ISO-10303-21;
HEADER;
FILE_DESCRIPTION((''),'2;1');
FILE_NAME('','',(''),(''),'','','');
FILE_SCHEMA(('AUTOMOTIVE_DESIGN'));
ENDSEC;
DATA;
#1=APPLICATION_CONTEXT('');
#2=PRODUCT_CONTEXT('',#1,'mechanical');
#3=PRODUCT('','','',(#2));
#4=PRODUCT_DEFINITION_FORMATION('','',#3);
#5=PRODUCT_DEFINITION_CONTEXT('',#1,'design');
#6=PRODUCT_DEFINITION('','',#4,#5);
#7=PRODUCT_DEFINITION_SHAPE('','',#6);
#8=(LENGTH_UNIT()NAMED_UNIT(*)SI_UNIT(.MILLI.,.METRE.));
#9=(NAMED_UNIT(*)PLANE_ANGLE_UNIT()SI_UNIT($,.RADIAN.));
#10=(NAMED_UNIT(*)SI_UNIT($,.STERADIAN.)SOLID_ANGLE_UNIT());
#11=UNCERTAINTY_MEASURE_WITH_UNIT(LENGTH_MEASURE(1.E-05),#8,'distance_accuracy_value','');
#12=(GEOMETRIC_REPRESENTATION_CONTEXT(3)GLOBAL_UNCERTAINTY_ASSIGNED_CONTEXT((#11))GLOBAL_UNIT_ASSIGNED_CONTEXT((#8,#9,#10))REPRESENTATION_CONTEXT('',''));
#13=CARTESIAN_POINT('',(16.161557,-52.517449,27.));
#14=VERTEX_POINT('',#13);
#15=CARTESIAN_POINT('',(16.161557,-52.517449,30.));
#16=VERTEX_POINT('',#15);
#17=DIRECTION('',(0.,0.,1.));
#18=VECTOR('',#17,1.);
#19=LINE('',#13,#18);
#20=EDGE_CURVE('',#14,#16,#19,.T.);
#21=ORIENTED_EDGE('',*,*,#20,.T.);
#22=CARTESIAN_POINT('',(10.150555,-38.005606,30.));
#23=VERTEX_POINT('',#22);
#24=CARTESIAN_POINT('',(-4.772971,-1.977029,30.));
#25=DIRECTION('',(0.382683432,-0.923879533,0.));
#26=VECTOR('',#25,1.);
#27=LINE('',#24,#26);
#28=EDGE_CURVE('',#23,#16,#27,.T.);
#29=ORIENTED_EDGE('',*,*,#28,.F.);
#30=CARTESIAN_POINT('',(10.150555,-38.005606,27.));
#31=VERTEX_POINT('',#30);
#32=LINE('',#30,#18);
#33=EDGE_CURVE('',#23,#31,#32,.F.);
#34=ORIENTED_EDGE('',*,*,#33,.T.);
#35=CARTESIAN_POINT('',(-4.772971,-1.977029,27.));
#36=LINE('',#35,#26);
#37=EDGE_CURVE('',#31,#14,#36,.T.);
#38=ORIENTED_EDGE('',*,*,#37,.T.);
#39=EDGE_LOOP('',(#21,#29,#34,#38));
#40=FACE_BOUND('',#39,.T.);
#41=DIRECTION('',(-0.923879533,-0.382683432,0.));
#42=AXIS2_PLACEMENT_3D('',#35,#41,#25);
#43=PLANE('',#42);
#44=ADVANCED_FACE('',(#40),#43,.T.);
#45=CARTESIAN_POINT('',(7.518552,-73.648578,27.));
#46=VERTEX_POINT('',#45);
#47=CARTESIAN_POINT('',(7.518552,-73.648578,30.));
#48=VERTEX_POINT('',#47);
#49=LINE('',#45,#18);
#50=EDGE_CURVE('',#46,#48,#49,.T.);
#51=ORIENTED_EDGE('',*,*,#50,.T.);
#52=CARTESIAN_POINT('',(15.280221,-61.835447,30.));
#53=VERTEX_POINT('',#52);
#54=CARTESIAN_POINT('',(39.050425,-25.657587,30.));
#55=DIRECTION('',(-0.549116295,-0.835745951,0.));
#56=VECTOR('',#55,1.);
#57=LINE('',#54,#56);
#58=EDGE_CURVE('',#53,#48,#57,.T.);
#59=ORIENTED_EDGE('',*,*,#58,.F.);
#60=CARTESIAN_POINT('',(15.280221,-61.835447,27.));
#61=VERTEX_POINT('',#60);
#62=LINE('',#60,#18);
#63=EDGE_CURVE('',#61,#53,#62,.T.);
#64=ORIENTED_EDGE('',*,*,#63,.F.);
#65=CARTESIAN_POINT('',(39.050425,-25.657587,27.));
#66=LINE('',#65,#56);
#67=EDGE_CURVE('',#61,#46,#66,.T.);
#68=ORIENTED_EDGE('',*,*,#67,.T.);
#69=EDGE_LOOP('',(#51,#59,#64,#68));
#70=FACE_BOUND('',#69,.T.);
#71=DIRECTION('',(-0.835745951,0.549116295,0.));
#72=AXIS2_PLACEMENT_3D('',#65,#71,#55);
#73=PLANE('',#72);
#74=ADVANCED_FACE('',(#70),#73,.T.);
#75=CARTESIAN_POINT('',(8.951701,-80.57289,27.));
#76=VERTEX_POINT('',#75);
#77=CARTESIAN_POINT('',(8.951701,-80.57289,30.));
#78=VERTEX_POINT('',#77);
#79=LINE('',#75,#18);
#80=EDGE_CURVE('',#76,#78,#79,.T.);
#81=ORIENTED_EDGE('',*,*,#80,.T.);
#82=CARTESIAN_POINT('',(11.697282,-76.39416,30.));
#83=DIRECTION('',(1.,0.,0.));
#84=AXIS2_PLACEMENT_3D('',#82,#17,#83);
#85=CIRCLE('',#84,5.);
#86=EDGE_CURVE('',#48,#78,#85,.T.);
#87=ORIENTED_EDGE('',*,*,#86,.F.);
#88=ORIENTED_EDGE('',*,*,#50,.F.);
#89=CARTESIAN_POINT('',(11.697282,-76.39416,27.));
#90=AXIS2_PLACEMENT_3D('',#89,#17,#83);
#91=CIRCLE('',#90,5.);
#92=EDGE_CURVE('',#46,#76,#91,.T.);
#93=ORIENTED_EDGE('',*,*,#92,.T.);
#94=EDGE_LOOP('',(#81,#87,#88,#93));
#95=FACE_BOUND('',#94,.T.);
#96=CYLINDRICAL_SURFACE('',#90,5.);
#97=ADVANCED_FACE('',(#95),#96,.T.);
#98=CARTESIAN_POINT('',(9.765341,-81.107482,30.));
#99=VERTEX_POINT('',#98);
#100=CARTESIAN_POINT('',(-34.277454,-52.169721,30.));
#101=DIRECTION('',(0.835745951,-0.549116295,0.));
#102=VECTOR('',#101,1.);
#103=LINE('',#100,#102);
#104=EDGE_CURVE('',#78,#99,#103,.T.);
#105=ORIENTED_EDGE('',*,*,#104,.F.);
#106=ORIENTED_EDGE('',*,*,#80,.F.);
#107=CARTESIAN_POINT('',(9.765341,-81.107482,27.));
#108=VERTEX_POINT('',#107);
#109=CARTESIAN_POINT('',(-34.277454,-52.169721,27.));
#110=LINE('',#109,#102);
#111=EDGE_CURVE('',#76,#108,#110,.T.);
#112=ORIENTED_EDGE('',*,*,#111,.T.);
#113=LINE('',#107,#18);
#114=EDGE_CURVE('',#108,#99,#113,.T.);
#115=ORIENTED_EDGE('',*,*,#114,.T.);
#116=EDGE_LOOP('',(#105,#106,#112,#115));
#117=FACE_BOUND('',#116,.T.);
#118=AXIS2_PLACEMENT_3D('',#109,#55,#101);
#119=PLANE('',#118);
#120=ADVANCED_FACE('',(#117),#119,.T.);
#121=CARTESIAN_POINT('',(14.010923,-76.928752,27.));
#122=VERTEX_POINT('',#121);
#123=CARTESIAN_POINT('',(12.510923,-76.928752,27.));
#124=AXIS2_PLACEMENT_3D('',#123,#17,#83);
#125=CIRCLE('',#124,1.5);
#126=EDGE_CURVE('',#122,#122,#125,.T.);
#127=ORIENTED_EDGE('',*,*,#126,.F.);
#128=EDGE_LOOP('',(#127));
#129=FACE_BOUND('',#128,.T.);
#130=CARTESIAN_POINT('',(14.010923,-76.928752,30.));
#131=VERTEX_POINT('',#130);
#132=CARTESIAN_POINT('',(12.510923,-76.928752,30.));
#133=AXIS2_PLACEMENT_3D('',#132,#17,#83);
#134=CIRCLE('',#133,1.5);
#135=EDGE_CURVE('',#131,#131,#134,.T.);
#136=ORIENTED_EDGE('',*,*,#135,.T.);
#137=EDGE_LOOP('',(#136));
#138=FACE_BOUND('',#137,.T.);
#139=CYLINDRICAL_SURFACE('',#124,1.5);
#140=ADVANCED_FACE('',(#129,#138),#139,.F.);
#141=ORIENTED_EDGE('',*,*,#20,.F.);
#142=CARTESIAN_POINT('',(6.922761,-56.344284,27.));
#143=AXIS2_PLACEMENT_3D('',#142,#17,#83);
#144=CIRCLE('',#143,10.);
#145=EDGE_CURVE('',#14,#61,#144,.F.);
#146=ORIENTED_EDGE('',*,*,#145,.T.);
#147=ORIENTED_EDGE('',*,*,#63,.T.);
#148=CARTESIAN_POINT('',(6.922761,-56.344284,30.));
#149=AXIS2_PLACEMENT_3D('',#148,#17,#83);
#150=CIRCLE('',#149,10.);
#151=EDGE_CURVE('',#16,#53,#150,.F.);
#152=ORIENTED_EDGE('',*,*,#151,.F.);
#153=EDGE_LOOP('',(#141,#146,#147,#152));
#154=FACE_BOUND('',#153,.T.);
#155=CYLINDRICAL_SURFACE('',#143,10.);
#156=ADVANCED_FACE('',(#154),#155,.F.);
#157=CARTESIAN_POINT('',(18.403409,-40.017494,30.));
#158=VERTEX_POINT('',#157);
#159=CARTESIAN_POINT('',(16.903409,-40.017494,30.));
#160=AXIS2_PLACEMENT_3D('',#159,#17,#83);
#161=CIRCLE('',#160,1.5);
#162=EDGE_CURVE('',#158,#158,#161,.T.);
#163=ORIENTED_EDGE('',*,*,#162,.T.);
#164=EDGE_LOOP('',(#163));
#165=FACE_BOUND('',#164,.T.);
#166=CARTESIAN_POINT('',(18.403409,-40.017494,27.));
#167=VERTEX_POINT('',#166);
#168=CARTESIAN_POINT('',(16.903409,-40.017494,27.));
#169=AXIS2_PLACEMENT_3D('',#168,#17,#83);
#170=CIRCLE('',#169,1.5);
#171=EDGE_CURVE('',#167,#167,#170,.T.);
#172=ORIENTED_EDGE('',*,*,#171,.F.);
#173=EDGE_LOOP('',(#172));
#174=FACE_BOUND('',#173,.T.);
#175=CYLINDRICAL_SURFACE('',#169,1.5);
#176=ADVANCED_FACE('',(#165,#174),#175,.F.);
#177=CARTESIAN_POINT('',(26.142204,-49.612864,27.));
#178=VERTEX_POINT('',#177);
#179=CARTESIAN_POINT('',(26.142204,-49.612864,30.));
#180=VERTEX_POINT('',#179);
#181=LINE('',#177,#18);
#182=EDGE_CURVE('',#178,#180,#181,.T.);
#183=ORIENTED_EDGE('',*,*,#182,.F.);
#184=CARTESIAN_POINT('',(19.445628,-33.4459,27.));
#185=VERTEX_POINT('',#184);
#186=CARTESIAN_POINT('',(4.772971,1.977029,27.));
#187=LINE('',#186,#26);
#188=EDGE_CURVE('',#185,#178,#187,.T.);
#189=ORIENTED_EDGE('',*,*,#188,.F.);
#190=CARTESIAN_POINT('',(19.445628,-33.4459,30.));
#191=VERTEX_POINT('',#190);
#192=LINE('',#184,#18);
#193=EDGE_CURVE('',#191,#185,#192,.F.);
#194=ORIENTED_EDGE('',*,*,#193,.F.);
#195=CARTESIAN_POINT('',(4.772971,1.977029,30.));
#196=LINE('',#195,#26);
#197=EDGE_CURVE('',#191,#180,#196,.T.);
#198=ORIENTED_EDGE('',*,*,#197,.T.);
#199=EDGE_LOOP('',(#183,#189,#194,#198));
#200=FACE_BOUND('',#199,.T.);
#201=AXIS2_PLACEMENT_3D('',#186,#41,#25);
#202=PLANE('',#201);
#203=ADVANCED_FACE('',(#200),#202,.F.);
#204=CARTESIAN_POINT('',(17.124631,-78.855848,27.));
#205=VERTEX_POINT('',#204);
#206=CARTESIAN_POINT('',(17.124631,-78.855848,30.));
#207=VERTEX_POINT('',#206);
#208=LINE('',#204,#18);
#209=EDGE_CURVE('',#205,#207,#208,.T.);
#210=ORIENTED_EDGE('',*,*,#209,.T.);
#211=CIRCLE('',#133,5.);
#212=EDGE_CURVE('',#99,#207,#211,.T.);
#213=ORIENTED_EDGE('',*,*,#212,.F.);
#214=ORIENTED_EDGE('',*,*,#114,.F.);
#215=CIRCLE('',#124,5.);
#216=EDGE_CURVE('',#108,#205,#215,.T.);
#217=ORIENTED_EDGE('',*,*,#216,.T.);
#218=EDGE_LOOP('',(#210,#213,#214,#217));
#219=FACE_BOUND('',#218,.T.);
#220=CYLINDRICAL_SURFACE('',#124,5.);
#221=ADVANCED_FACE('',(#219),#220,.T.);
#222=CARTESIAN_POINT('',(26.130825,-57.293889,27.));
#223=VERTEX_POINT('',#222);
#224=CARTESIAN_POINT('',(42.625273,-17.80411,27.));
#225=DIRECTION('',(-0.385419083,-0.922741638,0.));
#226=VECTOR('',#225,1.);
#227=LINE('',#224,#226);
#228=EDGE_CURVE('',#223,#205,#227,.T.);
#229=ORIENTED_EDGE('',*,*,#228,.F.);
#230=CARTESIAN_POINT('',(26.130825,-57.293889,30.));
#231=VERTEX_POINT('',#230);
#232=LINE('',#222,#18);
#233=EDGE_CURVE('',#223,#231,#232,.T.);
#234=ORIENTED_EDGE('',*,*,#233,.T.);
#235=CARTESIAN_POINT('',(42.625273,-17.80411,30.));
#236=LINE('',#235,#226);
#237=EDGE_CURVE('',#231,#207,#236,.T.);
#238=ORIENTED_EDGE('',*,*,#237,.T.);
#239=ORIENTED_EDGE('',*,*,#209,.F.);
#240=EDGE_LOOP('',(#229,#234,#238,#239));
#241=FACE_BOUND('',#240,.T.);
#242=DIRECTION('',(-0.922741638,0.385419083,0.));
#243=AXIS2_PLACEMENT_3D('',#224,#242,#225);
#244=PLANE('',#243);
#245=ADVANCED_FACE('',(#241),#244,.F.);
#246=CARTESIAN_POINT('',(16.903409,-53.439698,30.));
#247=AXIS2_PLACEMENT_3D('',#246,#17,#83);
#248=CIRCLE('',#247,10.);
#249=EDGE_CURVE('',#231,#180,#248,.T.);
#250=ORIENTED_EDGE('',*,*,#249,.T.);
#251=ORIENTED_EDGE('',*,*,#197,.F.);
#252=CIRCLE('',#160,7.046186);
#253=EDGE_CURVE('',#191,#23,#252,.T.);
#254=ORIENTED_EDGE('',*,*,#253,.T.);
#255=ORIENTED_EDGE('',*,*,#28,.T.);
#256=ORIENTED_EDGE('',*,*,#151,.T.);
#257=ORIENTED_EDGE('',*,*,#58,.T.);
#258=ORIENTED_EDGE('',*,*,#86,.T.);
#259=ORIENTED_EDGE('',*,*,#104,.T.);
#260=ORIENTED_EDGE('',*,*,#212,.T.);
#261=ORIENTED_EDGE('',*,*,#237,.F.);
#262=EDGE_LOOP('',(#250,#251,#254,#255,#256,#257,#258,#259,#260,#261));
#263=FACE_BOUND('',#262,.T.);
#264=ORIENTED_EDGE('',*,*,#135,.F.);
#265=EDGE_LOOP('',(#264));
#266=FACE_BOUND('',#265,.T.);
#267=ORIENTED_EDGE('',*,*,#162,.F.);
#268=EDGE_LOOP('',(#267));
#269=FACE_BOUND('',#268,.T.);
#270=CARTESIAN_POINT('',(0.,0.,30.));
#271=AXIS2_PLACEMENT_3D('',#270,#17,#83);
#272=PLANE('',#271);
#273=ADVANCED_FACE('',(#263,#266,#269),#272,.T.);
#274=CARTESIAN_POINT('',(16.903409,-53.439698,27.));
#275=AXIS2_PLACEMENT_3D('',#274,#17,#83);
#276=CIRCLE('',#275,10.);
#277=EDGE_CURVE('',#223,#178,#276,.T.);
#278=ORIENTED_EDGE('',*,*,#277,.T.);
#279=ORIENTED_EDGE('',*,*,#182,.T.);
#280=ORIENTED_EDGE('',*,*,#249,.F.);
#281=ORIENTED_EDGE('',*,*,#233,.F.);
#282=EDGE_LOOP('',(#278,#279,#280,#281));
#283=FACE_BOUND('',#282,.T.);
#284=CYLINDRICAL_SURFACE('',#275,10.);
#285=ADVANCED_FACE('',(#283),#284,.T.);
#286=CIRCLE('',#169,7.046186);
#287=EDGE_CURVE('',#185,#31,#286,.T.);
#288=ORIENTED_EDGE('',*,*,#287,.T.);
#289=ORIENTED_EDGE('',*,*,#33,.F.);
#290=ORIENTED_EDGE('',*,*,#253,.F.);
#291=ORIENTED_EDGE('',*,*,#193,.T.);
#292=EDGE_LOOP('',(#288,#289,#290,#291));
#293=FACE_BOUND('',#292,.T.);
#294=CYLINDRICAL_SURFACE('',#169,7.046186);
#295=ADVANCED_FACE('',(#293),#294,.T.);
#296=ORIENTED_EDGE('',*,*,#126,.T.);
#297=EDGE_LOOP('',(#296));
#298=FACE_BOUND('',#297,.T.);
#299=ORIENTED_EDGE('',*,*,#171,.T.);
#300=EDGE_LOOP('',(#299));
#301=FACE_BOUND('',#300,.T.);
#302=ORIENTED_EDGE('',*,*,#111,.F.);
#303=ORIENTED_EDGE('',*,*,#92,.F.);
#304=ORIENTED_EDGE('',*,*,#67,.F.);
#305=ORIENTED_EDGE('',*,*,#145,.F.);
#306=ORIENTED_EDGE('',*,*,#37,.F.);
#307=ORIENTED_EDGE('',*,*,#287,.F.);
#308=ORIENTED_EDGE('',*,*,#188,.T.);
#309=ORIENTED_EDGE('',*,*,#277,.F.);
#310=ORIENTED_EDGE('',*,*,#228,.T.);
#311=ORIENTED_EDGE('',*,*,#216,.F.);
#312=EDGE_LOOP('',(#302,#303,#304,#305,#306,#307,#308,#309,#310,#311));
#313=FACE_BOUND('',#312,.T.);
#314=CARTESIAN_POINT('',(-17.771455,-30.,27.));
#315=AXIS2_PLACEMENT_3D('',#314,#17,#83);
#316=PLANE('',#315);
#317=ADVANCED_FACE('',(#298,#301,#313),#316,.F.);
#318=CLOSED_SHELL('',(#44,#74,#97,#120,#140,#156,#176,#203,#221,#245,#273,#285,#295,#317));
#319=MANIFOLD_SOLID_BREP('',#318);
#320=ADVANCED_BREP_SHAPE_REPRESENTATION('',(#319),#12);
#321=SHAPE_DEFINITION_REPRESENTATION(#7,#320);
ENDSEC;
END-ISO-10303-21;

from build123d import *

# Parameters (mm, degrees)
SKETCH_1_R          = 18
LASHENA_DEPTH       = 30
CUT_EXTRUDEA_DEPTH  = 30
WWW_KYTOOL_CN_COUNT = 16
SKETCH_3_W          = 35.542909486
SKETCH_3_H          = 27
CUT_EXTRUDE_2_DEPTH = 30
SKETCH_4_R          = 1.5
CUT_EXTRUDE_3_DEPTH = 60
SKETCH_5_R          = 1.5
EXTRUDE_3_DEPTH     = 3
CUT_EXTRUDE_5_DEPTH = 3


with BuildPart() as part:
    # 草图1 → LaShenA (new body)
    with BuildSketch(Plane.XY):
        Circle(SKETCH_1_R)
    extrude(amount=LASHENA_DEPTH)

    # SketchA → Cut-ExtrudeA (cut)
    with BuildSketch(Plane.XY.offset(30)):
        with BuildLine():
            ThreePointArc((0.423212707, 13.493364703), (0, 13.5), (-0.423212707, 13.493364703))
            ThreePointArc((-0.423212707, 13.493364703), (-0.952770902, 13.685686791), (-1.20440395, 14.18977059))
            add(Edge.make_bspline(
                [(-1.20440395, 14.18977059), (-1.226562505, 14.455224305), (-1.213843633, 14.773889884), (-1.273675597, 15.110607864), (-1.299119688, 15.21139578), (-1.321432077, 15.29109757), (-1.349914152, 15.382250837), (-1.385146673, 15.484587535), (-1.427834192, 15.597770763), (-1.478623281, 15.721446817), (-1.538159915, 15.855229004), (-1.607069773, 15.998703507), (-1.685962928, 16.151428337), (-1.775430978, 16.312934487), (-1.876046532, 16.482726463), (-1.98836201, 16.660283053), (-2.112908684, 16.845058076), (-2.250195688, 17.036481179), (-2.400709063, 17.233958676), (-2.56491084, 17.43687441), (-2.743238138, 17.644590662), (-2.936102365, 17.856449073), (-3.14388814, 18.07177164), (-3.447378451, 18.368492697), (-3.689495989, 18.585006365), (-3.858042439, 18.727457792)],
                knots=[0.122308221, 0.122308221, 0.122308221, 0.122308221, 0.250610689, 0.276296194, 0.287604067, 0.300967916, 0.316387742, 0.333863545, 0.353395324, 0.37498308, 0.398626813, 0.424326522, 0.452082207, 0.48189387, 0.513761509, 0.547685125, 0.583664717, 0.621700286, 0.661791832, 0.703939355, 0.748142854, 0.79440233, 0.842717782, 0.893089212, 1, 1, 1, 1], degree=3))
            ThreePointArc((-3.858042439, 18.727457792), (0, 19.120726106), (3.858042439, 18.727457792))
            add(Edge.make_bspline(
                [(1.20440395, 14.18977059), (1.226562505, 14.455224305), (1.213843633, 14.773889884), (1.273675597, 15.110607864), (1.299119688, 15.21139578), (1.321432077, 15.29109757), (1.349914152, 15.382250837), (1.385146673, 15.484587535), (1.427834192, 15.597770763), (1.478623281, 15.721446817), (1.538159915, 15.855229004), (1.607069773, 15.998703507), (1.685962928, 16.151428337), (1.775430978, 16.312934487), (1.876046532, 16.482726463), (1.98836201, 16.660283053), (2.112908684, 16.845058076), (2.250195688, 17.036481179), (2.400709063, 17.233958676), (2.56491084, 17.43687441), (2.743238138, 17.644590662), (2.936102365, 17.856449073), (3.14388814, 18.07177164), (3.447378451, 18.368492697), (3.689495989, 18.585006365), (3.858042439, 18.727457792)],
                knots=[0.122308221, 0.122308221, 0.122308221, 0.122308221, 0.250610689, 0.276296194, 0.287604067, 0.300967916, 0.316387742, 0.333863545, 0.353395324, 0.37498308, 0.398626813, 0.424326522, 0.452082207, 0.48189387, 0.513761509, 0.547685125, 0.583664717, 0.621700286, 0.661791832, 0.703939355, 0.748142854, 0.79440233, 0.842717782, 0.893089212, 1, 1, 1, 1], degree=3))
            ThreePointArc((1.20440395, 14.18977059), (0.952770902, 13.685686791), (0.423212707, 13.493364703))
        make_face()
    cut_extrudea = extrude(amount=-CUT_EXTRUDEA_DEPTH, mode=Mode.SUBTRACT)

    # www.KYTool.cn: Cut-ExtrudeA ×16 about axis
    www_kytool_cn_axis = Axis((0, 0, -80.9), (0, 0, 1))
    for i in range(1, WWW_KYTOOL_CN_COUNT):
        add(cut_extrudea.rotate(www_kytool_cn_axis, i * 360 / WWW_KYTOOL_CN_COUNT), mode=Mode.SUBTRACT)

    # 草图3 → 切除-拉伸2 (cut, symmetric)
    with BuildSketch(Plane(origin=(0, 0, 0), x_dir=(1, 0, 0), z_dir=(0, 1, 0))):
        with Locations((0, -13.5)):
            Rectangle(SKETCH_3_W, SKETCH_3_H)
    extrude(amount=CUT_EXTRUDE_2_DEPTH, both=True, mode=Mode.SUBTRACT)

    # 草图4 → 切除-拉伸3 (cut)
    with BuildSketch(Plane.XY.offset(30)):
        Circle(SKETCH_4_R)
    extrude(amount=-CUT_EXTRUDE_3_DEPTH, mode=Mode.SUBTRACT)

    # 草图5 → 凸台-拉伸3 (add)
    with BuildSketch(Plane.XY.offset(30)):
        with BuildLine():
            Line((15.280220873, -61.835446614), (7.518552247, -73.648578352))
            ThreePointArc((7.518552247, -73.648578352), (6.801054577, -77.407548694), (8.951700529, -80.572889581))
            Line((8.951700529, -80.572889581), (9.765341245, -81.107481911))
            ThreePointArc((9.765341245, -81.107481911), (13.973775635, -81.709971806), (17.124630908, -78.855847572))
            Line((17.124630908, -78.855847572), (26.13082512, -57.293888764))
            ThreePointArc((26.13082512, -57.293888764), (26.903397768, -53.454512274), (26.142204066, -49.612863608))
            Line((26.142204066, -49.612863608), (9.545941546, -9.545941546))
            Line((9.545941546, -9.545941546), (0, -13.5))
            Line((0, -13.5), (16.161556687, -52.517449343))
            ThreePointArc((16.161556687, -52.517449343), (16.878328365, -57.285923538), (15.280220873, -61.835446614))
        make_face()
        with Locations((16.903408741, -40.017494037)):
            Circle(SKETCH_5_R, mode=Mode.SUBTRACT)
        with Locations((12.510922719, -76.928752156)):
            Circle(SKETCH_5_R, mode=Mode.SUBTRACT)
    extrude(amount=-EXTRUDE_3_DEPTH)

    # 草图8 → 切除-拉伸5 (cut)
    with BuildSketch(Plane.XY.offset(30)):
        with BuildLine():
            Line((-47.449101502, -4.18243968), (9.857223077, -40.017494037))
            ThreePointArc((9.857223077, -40.017494037), (14.412678985, -33.42621209), (22.188716957, -35.357638944))
            Line((22.188716957, -35.357638944), (66.6397739, 3.833166133))
            Line((66.6397739, 3.833166133), (-5.431022365, 32.995833694))
            Line((-5.431022365, 32.995833694), (-47.449101502, -4.18243968))
        make_face()
    extrude(amount=-CUT_EXTRUDE_5_DEPTH, mode=Mode.SUBTRACT)


solid = part.part
